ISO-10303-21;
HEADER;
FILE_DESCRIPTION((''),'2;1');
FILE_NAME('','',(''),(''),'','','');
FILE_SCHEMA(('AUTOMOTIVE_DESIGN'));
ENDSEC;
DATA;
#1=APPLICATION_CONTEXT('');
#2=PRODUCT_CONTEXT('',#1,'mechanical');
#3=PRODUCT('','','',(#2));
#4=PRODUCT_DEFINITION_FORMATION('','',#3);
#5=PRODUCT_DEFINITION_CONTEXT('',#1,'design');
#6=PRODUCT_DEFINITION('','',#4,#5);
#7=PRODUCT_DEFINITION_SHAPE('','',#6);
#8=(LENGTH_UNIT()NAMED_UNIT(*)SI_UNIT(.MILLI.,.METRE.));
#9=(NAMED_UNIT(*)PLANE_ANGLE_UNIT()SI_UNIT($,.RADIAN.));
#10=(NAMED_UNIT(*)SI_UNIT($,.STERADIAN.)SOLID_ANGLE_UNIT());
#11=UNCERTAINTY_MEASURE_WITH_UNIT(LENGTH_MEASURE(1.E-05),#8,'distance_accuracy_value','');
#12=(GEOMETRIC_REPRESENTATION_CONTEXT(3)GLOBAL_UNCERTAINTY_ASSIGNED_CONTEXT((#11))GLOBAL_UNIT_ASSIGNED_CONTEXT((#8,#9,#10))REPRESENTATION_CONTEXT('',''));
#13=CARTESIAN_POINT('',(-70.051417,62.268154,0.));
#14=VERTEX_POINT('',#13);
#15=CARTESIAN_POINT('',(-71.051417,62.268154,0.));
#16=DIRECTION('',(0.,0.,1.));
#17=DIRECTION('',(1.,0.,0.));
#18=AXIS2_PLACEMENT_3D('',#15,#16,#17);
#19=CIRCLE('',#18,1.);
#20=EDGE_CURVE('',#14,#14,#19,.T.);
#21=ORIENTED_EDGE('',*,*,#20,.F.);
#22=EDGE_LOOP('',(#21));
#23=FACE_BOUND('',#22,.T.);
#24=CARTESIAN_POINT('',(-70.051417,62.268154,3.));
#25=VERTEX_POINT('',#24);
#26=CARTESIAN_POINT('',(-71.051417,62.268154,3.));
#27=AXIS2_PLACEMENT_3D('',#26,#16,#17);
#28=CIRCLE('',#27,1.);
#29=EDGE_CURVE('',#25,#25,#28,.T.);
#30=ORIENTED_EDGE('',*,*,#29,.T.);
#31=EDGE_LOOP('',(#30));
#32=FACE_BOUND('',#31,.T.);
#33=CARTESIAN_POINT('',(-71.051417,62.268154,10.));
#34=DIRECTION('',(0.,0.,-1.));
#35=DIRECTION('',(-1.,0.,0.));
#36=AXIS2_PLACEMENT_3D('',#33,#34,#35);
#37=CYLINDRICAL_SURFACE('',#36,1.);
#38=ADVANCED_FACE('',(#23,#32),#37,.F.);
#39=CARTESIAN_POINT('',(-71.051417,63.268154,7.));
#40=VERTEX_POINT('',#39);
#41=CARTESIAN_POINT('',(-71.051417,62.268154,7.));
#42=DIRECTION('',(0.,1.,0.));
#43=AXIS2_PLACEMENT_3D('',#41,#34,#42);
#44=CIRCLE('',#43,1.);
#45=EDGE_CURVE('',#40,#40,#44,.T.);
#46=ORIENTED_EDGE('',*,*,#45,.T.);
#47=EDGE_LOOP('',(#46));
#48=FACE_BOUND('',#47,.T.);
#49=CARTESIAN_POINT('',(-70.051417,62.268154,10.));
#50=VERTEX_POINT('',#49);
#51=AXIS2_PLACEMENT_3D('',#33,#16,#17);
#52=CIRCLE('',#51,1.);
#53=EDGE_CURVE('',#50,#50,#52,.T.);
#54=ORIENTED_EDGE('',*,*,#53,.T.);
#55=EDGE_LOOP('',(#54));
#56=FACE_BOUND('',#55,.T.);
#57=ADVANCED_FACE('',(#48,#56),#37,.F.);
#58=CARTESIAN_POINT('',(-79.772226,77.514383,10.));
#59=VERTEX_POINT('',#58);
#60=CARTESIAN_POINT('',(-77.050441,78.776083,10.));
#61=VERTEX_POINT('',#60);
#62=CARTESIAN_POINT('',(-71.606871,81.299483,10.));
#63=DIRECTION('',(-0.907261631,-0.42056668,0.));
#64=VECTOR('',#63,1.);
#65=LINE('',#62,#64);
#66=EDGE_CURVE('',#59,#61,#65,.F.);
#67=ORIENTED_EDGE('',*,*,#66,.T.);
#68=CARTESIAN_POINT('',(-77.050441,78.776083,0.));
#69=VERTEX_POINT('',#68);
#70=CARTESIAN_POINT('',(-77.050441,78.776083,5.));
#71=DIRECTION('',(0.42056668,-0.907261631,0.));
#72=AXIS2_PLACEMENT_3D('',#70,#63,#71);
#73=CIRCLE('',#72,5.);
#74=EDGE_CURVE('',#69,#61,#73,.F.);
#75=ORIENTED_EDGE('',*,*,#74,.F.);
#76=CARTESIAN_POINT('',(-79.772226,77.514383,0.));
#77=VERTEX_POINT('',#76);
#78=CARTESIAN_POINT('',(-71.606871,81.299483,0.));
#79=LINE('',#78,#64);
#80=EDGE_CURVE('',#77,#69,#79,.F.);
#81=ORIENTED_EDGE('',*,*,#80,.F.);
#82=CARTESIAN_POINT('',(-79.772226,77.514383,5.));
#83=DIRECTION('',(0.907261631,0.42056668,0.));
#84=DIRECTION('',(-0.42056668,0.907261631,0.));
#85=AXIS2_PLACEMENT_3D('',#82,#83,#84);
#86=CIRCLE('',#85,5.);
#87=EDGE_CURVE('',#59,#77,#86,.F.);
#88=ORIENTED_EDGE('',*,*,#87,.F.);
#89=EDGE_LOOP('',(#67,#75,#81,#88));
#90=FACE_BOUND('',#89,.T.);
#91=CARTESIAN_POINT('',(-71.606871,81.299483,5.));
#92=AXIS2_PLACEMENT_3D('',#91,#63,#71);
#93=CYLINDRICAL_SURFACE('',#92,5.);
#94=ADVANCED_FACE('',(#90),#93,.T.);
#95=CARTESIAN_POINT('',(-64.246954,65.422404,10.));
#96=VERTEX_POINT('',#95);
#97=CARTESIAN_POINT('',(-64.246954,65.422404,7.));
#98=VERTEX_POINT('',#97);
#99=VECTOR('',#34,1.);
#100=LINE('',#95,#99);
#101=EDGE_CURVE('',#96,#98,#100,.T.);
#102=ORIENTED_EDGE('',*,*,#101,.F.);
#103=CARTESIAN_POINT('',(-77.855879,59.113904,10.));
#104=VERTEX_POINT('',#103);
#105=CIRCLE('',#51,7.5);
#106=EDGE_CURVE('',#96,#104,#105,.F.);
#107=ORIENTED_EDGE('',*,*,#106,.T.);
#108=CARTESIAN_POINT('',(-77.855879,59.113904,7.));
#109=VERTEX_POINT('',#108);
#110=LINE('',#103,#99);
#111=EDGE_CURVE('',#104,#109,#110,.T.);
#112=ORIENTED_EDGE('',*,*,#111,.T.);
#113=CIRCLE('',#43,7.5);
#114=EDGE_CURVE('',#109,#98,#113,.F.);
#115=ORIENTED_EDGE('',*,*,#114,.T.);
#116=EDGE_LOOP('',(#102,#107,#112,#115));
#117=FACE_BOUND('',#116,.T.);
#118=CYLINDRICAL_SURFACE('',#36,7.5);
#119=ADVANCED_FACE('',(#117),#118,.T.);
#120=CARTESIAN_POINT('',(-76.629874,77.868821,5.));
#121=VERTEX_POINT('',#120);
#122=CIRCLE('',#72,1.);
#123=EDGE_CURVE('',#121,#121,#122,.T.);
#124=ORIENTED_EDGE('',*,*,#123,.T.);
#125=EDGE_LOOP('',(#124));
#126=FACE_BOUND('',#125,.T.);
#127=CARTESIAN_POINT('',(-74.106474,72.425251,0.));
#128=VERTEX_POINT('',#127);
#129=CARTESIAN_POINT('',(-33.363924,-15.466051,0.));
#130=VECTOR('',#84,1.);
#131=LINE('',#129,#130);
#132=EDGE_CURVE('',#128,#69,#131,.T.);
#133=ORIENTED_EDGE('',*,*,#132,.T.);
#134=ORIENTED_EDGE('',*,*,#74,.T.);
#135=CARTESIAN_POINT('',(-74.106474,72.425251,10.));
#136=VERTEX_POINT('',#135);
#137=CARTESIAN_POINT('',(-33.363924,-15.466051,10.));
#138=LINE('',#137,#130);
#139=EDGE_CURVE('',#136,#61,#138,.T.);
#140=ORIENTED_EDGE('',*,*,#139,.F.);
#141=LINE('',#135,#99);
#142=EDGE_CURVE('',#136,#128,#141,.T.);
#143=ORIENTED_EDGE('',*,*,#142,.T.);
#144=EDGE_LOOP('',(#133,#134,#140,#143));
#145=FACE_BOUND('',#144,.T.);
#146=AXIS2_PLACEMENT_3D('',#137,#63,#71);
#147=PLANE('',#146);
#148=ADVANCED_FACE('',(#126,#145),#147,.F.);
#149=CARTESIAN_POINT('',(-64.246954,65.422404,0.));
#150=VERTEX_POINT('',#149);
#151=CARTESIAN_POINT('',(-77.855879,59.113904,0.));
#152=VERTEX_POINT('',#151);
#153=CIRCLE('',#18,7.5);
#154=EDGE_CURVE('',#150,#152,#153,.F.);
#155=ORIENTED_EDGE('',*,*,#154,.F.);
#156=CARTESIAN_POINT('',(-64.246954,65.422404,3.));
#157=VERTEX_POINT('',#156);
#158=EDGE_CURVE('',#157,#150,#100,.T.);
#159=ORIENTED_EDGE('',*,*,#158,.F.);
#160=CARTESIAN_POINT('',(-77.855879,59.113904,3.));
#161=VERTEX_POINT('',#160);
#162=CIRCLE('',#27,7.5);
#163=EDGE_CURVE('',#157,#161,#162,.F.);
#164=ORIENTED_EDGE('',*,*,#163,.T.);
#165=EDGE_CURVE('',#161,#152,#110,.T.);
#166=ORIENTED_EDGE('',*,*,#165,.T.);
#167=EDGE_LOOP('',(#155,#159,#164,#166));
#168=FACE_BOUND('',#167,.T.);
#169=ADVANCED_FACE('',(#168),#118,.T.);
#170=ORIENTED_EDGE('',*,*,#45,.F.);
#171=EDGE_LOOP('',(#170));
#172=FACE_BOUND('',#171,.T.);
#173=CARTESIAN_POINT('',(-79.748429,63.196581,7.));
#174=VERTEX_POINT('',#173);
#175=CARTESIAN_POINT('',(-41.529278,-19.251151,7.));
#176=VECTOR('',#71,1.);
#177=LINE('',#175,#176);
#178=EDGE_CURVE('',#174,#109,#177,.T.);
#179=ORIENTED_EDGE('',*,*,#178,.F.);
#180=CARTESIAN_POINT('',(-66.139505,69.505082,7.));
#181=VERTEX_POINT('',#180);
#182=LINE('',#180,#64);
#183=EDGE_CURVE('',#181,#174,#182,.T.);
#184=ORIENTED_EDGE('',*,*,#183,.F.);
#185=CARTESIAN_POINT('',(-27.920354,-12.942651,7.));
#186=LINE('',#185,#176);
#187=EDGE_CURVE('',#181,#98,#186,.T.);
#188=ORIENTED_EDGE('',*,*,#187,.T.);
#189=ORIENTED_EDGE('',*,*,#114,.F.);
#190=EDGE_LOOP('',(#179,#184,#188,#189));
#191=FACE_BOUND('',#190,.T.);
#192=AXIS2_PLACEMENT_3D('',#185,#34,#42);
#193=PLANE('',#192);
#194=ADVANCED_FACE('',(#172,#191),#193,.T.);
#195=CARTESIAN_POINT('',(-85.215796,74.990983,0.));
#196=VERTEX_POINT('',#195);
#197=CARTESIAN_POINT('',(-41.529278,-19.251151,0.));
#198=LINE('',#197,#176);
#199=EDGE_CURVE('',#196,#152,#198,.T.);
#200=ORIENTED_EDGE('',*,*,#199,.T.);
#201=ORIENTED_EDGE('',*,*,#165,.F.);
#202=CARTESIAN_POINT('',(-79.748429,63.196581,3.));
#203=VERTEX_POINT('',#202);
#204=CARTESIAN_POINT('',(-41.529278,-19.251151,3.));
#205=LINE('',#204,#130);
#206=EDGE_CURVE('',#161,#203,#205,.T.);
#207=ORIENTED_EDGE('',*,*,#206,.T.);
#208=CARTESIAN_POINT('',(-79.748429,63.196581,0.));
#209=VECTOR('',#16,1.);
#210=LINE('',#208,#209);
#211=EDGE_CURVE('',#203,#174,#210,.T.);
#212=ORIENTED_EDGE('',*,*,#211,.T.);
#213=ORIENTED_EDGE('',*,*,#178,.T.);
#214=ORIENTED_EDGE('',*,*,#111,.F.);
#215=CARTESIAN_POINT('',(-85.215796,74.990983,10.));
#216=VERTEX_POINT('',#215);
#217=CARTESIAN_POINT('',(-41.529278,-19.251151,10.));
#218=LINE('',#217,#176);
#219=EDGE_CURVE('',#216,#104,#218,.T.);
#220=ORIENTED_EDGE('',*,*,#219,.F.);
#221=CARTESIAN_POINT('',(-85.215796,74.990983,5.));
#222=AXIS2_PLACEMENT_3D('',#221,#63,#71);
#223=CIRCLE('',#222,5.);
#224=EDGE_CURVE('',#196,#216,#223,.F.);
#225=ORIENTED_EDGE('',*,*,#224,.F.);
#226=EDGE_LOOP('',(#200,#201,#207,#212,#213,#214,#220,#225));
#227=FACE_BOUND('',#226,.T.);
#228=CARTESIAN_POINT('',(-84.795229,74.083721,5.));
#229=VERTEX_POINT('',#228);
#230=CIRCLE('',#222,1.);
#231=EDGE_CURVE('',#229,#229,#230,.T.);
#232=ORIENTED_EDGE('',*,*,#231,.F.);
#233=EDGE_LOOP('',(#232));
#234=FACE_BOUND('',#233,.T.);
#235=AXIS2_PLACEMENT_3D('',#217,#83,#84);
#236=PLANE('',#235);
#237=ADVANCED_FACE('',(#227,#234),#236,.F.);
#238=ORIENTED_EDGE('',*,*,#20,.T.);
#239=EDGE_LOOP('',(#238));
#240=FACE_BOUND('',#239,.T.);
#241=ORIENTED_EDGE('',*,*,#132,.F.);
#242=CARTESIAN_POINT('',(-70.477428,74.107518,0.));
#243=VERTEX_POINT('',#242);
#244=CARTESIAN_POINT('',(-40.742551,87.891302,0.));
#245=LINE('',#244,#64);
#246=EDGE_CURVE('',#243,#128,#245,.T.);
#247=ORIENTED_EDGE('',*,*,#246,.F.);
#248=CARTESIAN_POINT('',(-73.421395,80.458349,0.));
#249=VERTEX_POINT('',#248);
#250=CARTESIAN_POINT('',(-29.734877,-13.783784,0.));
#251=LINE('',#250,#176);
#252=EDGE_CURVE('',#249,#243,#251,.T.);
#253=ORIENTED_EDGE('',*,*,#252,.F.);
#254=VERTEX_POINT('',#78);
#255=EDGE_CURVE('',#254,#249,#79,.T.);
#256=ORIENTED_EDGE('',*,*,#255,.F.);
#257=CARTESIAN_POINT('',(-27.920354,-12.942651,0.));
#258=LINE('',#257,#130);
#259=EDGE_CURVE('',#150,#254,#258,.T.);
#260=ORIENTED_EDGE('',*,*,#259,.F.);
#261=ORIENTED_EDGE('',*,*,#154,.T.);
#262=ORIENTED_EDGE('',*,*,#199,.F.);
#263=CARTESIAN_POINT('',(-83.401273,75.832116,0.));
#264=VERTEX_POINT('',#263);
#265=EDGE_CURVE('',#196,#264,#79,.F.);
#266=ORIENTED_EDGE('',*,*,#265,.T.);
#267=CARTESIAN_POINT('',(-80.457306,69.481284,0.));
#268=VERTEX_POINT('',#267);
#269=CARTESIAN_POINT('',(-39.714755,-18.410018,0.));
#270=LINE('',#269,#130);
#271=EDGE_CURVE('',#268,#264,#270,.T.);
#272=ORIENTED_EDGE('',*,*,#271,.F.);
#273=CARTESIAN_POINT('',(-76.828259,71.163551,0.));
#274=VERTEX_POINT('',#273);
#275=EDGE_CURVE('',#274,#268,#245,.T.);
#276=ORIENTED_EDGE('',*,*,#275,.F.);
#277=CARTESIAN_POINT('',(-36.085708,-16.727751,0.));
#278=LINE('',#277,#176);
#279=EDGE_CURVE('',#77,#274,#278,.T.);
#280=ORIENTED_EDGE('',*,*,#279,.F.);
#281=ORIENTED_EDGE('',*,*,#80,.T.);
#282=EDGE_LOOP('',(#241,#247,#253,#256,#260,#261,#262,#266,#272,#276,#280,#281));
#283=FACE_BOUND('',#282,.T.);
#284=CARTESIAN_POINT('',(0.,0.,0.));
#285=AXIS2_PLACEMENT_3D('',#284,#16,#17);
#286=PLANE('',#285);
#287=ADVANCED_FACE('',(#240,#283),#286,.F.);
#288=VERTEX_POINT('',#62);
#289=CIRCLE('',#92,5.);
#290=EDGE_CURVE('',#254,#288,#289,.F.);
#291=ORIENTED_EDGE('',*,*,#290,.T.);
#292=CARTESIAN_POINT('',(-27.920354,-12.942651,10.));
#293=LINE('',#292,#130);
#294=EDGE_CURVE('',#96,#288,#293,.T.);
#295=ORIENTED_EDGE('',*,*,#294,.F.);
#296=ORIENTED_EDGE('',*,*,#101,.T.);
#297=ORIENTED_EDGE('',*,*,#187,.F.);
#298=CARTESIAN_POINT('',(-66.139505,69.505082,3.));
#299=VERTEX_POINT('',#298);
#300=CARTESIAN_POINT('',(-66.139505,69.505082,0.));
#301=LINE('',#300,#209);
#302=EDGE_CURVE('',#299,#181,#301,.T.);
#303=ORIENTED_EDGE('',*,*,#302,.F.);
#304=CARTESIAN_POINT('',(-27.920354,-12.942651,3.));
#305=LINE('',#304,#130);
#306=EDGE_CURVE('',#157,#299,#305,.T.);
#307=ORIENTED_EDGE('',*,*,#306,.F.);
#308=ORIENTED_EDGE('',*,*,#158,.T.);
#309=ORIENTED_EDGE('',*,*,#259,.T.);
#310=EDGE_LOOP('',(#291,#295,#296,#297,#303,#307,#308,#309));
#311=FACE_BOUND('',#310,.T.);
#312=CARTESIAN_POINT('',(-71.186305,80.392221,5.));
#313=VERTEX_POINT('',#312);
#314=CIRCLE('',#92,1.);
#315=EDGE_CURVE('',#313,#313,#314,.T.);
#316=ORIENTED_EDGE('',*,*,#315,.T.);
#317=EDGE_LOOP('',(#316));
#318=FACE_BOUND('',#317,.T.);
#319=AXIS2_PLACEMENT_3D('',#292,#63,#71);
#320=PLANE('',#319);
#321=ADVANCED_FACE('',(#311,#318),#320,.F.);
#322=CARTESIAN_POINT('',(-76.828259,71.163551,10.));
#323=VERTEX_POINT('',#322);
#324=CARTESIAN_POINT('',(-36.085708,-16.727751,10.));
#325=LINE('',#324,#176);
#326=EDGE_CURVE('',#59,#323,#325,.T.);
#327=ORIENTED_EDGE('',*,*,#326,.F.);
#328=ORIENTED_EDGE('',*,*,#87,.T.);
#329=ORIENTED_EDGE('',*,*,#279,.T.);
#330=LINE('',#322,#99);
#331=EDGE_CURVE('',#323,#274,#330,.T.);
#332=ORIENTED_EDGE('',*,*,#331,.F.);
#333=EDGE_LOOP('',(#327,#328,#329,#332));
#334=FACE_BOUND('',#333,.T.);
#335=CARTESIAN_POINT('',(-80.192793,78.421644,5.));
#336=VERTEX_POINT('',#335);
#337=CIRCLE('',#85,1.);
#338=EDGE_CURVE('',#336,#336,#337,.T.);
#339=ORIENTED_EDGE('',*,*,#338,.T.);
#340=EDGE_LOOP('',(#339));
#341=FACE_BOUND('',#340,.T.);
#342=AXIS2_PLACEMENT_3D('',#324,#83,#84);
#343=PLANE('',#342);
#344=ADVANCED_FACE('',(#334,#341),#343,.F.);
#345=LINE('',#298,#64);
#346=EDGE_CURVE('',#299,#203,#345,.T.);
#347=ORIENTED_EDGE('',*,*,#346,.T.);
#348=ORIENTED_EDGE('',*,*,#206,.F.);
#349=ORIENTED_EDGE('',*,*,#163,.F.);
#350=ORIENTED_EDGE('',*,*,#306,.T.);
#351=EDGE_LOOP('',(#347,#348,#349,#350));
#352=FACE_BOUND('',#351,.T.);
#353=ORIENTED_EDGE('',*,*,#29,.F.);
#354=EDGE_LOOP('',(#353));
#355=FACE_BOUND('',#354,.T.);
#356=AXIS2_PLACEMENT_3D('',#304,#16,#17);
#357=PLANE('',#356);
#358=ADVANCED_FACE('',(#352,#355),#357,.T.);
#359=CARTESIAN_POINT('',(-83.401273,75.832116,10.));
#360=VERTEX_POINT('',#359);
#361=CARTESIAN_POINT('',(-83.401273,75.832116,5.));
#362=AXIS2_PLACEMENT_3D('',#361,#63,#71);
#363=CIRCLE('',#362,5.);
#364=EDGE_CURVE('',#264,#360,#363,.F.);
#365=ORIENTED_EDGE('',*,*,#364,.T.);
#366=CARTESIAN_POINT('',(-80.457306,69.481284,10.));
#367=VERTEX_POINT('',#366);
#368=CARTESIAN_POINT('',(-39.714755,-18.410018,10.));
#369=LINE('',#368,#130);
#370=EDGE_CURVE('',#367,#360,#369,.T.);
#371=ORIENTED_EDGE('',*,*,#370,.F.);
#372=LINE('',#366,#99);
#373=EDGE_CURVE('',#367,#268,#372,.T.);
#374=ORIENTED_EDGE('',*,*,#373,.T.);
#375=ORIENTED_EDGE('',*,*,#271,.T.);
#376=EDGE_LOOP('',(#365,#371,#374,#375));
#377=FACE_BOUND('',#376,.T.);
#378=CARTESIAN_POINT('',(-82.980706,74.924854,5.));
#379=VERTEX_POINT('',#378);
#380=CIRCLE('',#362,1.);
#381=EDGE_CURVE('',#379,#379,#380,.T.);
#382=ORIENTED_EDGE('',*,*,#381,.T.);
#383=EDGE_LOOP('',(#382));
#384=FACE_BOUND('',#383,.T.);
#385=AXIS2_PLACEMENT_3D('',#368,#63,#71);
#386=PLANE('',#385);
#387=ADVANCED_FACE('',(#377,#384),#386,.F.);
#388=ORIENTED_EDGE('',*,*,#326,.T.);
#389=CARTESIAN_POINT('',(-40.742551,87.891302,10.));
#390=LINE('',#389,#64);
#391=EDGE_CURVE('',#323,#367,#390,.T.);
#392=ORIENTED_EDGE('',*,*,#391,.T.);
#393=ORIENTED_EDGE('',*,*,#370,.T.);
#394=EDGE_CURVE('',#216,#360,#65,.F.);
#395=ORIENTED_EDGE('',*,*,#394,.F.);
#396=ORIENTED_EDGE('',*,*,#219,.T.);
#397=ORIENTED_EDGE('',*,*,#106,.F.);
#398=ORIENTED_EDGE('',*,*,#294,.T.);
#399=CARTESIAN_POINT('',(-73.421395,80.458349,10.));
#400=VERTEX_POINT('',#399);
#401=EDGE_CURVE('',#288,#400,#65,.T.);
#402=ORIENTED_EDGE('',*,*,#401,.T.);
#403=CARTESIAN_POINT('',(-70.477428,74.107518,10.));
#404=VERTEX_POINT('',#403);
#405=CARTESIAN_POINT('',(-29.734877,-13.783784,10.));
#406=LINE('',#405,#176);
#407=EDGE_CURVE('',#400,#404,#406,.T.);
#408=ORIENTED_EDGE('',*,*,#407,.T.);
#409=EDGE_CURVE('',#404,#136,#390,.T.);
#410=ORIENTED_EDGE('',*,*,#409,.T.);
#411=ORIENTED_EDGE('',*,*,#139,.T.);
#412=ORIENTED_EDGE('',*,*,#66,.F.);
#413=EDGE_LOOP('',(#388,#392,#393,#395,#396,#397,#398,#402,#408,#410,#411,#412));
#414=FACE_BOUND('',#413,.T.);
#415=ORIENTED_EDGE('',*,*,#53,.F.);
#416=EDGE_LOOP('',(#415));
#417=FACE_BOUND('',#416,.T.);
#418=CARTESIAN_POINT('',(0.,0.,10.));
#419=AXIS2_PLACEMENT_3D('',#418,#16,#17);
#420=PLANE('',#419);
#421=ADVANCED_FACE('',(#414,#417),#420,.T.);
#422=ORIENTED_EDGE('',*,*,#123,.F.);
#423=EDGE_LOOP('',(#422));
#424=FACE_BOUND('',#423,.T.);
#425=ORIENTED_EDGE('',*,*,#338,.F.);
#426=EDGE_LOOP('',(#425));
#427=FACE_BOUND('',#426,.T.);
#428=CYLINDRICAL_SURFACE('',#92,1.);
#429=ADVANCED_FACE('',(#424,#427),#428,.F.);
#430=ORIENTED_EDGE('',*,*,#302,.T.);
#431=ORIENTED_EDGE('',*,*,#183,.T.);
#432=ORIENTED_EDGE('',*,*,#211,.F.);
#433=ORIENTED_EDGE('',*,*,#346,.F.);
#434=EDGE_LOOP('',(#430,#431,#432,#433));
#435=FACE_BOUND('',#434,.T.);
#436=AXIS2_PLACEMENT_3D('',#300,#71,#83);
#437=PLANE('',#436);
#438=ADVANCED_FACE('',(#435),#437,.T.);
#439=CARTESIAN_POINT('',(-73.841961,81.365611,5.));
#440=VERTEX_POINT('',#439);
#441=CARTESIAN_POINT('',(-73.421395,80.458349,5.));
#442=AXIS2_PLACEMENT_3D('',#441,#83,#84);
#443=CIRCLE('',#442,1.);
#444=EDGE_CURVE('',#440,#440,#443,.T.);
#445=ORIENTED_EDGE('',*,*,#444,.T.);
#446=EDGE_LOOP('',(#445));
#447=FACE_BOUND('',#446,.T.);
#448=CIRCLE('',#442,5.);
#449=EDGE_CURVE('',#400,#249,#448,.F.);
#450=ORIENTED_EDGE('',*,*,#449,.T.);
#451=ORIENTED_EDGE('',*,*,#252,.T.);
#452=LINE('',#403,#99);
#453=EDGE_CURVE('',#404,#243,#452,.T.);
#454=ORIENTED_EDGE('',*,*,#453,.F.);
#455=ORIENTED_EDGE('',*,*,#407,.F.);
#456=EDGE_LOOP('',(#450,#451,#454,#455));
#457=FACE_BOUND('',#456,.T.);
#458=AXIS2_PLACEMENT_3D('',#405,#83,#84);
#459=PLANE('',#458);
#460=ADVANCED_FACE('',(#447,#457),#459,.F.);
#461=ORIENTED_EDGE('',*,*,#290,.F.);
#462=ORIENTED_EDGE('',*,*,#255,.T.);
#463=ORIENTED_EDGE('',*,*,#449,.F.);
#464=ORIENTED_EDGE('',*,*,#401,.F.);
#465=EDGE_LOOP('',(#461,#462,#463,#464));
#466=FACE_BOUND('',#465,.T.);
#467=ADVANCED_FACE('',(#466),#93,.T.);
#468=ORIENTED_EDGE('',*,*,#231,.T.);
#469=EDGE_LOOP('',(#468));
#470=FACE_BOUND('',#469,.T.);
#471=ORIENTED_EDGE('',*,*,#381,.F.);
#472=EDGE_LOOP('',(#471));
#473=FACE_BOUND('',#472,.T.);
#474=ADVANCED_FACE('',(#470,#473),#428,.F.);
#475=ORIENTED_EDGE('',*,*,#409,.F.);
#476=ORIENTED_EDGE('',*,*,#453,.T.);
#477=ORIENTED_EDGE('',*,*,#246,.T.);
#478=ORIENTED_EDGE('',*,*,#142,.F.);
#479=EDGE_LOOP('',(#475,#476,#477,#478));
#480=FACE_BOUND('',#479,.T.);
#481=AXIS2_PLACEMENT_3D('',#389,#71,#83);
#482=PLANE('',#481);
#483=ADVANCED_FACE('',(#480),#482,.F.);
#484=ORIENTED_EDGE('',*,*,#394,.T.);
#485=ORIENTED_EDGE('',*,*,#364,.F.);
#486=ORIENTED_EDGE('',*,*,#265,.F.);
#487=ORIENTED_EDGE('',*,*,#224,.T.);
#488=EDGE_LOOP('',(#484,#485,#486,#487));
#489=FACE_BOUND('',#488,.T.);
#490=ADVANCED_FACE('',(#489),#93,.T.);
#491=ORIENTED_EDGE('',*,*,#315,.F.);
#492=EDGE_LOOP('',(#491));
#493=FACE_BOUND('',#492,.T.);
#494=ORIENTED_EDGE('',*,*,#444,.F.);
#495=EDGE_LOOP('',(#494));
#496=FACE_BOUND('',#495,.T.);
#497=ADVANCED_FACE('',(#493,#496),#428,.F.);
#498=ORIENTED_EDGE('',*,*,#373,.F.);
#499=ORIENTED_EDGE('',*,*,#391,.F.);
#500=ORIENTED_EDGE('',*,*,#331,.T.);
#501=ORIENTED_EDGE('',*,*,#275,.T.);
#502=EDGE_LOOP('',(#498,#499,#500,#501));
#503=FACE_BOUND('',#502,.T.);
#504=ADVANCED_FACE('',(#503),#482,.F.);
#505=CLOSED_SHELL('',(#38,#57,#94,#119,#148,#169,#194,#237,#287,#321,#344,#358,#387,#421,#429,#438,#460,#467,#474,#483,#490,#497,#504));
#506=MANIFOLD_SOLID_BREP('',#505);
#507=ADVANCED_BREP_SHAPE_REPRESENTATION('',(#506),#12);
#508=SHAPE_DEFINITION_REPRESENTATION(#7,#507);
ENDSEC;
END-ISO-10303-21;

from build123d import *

# Parameters (mm, degrees)
ESQUISSE1_R             = 1
BOSS_EXTRU_1_DEPTH      = 10
ESQUISSE2_W             = 4
ESQUISSE2_H             = 7.5
ESQUISSE2_H_2           = 4.5
ENL_V_MAT_EXTRU_1_DEPTH = 15


with BuildPart() as part:
    # Esquisse1 → Boss.-Extru.1 (new body)
    with BuildSketch(Plane.XY):
        with BuildLine():
            ThreePointArc((-77.855878935, 59.113903977), (-67.897166599, 55.463691844), (-64.246954466, 65.422404179))
            Line((-64.246954466, 65.422404179), (-73.709704769, 85.835790883))
            Line((-73.709704769, 85.835790883), (-75.524228032, 84.994657522))
            Line((-75.524228032, 84.994657522), (-70.47742787, 74.107517947))
            Line((-70.47742787, 74.107517947), (-74.106474395, 72.425251227))
            Line((-74.106474395, 72.425251227), (-79.153274557, 83.312390802))
            Line((-79.153274557, 83.312390802), (-81.875059451, 82.050690761))
            Line((-81.875059451, 82.050690761), (-76.828259289, 71.163551186))
            Line((-76.828259289, 71.163551186), (-80.457305814, 69.481284466))
            Line((-80.457305814, 69.481284466), (-85.504105976, 80.368424041))
            Line((-85.504105976, 80.368424041), (-87.318629238, 79.52729068))
            Line((-87.318629238, 79.52729068), (-77.855878935, 59.113903977))
        make_face()
        with Locations((-71.0514167, 62.268154078)):
            Circle(ESQUISSE1_R, mode=Mode.SUBTRACT)
    extrude(amount=BOSS_EXTRU_1_DEPTH)

    # Esquisse2 → Enlèv. mat.-Extru.1 (cut)
    with BuildSketch(Plane(origin=(-41.529278226, -19.251151014, 0), x_dir=(0, 0, 1), z_dir=(-0.9072616312569987, -0.42056668014583576, 0))):
        with BuildLine():
            Line((5, 108.875365486), (0, 108.875365486))
            Line((0, 108.875365486), (0, 103.875365486))
            ThreePointArc((0, 103.875365486), (1.464466094, 107.410899392), (5, 108.875365486))
        make_face()
        with BuildLine():
            Line((10, 108.875365486), (5, 108.875365486))
            ThreePointArc((5, 108.875365486), (8.535533906, 107.410899392), (10, 103.875365486))
            Line((10, 103.875365486), (10, 108.875365486))
        make_face()
        with BuildLine():
            ThreePointArc((6, 103.875365486), (5, 104.875365486), (4, 103.875365486))
            Line((4, 103.875365486), (6, 103.875365486))
        make_face()
        with BuildLine():
            Line((6, 103.875365486), (4, 103.875365486))
            ThreePointArc((4, 103.875365486), (5, 102.875365486), (6, 103.875365486))
        make_face()
        with Locations((5, 82.625365486)):
            Rectangle(ESQUISSE2_W, ESQUISSE2_H)
        with Locations((5, 88.625365486)):
            Rectangle(ESQUISSE2_W, ESQUISSE2_H_2)
    extrude(amount=-ENL_V_MAT_EXTRU_1_DEPTH, mode=Mode.SUBTRACT)


solid = part.part
